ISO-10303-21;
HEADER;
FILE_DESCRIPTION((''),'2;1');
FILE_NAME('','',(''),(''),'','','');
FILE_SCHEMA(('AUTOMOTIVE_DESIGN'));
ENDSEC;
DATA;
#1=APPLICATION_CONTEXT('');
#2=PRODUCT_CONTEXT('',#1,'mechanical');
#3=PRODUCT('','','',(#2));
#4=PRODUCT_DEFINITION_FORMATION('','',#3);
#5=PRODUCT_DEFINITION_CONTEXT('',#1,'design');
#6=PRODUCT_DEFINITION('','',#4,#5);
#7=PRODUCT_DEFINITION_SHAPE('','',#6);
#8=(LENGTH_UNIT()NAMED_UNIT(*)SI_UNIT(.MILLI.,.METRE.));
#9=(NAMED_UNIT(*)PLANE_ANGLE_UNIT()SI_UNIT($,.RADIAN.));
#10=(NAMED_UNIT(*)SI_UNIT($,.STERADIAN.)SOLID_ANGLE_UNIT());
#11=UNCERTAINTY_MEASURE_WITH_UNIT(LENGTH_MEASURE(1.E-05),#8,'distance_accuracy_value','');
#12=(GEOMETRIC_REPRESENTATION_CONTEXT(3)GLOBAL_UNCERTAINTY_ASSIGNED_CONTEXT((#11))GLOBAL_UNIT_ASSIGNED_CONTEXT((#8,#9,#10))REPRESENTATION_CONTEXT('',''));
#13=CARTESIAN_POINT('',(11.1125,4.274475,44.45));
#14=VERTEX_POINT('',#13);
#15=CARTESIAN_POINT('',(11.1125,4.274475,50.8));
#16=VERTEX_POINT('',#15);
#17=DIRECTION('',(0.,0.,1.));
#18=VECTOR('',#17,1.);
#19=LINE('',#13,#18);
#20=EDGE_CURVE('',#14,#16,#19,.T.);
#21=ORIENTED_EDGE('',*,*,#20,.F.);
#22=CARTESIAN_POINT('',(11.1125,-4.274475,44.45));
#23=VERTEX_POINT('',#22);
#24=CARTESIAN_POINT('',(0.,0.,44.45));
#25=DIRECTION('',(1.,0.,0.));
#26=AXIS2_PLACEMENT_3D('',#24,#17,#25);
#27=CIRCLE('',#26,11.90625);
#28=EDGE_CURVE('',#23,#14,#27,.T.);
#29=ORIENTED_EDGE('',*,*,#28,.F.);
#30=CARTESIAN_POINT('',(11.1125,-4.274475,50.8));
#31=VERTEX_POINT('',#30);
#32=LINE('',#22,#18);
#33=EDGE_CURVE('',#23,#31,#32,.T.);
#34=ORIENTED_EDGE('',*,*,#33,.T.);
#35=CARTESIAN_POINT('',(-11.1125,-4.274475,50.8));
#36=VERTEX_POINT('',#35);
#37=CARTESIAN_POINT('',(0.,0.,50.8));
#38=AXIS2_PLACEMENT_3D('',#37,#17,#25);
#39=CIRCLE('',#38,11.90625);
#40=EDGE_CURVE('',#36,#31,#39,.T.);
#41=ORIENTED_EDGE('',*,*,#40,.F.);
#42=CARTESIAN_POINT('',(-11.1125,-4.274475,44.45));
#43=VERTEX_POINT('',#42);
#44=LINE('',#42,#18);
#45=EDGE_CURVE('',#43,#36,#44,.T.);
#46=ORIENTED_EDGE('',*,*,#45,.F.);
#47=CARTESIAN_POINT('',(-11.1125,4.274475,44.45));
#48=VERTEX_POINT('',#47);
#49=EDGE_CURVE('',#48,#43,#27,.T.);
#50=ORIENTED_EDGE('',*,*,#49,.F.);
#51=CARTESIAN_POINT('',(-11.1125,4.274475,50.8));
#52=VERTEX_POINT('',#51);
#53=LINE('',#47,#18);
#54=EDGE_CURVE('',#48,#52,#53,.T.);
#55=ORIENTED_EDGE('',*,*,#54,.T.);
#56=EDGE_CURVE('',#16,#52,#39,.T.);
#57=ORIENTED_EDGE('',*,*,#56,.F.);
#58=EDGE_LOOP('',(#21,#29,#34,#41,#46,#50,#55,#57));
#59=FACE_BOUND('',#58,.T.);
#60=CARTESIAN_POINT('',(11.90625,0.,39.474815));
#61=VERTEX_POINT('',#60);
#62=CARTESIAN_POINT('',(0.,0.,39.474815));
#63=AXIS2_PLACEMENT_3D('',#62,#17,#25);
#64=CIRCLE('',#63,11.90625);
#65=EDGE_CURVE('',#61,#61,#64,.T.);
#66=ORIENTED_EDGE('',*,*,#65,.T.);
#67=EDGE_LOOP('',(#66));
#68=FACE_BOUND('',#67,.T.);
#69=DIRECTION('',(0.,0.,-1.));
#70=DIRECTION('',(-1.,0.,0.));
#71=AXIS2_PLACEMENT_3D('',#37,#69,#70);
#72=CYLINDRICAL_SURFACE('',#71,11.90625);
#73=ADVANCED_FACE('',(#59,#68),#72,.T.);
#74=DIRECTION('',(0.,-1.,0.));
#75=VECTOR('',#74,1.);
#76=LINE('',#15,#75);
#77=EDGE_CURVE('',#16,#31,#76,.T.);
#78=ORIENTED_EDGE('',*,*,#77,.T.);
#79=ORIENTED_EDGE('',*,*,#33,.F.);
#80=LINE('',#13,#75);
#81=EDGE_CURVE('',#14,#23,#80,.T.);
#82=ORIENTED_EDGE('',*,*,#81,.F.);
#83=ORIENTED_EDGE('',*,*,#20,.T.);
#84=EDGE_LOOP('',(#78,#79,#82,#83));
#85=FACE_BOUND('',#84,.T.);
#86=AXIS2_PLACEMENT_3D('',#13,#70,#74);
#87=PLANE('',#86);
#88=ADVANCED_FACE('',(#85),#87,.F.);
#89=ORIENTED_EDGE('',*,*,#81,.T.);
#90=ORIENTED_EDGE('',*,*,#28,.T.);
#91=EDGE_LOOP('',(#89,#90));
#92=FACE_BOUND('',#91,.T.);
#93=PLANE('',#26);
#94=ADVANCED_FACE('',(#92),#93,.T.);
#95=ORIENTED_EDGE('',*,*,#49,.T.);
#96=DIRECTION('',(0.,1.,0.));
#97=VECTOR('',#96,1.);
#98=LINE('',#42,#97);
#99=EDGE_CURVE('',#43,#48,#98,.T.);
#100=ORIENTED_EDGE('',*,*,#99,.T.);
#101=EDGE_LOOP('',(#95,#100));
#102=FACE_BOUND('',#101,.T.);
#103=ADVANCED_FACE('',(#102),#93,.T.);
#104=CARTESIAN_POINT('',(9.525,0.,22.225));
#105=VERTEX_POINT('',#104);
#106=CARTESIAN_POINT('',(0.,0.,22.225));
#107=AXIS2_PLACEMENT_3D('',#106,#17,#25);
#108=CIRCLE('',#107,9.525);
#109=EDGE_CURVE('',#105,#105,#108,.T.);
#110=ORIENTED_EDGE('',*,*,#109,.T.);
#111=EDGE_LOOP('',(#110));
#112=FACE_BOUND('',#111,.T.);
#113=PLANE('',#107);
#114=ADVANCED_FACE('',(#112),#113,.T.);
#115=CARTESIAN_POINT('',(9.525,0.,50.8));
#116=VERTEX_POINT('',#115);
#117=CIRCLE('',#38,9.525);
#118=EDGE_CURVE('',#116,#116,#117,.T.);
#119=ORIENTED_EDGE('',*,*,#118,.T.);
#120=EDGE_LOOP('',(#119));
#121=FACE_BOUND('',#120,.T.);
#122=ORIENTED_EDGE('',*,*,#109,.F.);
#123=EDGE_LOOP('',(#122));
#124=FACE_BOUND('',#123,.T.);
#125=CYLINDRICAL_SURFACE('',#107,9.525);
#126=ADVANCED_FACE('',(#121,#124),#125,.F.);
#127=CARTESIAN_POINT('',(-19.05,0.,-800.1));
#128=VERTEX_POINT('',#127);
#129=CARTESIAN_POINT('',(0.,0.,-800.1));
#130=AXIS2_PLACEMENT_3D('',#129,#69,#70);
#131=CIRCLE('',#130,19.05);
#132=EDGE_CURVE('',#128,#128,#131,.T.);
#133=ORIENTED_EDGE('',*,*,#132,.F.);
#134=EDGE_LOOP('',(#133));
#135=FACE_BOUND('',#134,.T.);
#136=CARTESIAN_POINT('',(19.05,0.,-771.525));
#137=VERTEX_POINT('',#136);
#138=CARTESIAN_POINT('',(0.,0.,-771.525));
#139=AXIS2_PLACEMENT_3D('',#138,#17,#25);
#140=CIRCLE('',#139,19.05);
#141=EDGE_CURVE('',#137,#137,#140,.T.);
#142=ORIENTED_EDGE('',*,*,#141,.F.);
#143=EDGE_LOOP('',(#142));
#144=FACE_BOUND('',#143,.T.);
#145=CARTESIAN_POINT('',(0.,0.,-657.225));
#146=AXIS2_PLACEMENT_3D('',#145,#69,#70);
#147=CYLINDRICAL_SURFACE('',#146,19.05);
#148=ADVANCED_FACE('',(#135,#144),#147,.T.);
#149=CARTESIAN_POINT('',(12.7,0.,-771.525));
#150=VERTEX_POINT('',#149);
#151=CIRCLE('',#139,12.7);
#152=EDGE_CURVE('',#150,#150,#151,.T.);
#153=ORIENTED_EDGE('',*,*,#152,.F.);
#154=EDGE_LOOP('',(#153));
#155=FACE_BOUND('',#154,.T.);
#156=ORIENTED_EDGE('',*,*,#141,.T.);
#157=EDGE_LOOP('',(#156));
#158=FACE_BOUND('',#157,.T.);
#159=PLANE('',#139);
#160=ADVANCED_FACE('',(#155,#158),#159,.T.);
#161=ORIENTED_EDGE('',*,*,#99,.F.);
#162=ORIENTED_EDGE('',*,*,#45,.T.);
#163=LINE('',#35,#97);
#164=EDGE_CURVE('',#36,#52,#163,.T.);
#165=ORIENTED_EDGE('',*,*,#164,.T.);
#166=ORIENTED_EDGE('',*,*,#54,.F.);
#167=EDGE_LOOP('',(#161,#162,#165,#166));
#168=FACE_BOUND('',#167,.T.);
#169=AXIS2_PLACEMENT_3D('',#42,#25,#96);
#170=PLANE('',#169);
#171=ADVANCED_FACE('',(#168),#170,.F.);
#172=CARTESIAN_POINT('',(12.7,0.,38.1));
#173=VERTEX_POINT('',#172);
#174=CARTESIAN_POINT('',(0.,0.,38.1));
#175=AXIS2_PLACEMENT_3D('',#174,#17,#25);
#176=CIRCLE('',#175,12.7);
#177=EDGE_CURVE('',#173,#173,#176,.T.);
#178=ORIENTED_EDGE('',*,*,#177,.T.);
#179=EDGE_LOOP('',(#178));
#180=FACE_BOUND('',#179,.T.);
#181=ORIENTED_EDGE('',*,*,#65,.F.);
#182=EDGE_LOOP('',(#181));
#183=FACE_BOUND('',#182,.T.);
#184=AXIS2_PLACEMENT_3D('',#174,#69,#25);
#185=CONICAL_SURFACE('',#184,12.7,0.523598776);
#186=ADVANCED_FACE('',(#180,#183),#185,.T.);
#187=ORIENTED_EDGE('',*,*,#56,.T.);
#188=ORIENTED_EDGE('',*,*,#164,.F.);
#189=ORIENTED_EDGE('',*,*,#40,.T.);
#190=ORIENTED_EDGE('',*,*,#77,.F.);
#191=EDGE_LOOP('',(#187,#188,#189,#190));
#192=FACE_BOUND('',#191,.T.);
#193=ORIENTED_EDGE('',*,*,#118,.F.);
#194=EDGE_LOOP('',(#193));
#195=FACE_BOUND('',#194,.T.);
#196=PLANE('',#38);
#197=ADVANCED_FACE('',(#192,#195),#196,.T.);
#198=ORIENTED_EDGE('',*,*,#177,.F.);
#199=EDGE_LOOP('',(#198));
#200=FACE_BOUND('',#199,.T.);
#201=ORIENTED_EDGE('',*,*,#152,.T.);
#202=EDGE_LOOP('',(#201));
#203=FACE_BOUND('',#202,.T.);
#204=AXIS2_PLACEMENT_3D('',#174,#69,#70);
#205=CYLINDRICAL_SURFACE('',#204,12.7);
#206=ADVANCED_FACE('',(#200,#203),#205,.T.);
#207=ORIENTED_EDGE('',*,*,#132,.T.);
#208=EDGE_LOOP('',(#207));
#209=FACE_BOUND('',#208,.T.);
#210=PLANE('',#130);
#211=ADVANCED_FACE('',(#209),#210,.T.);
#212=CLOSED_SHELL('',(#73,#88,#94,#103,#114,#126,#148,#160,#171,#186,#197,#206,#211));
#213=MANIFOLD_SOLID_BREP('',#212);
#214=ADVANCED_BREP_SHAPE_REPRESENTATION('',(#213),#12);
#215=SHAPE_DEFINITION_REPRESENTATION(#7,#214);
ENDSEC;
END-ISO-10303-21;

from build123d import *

# Parameters (mm, degrees)
SKETCH1_W           = 19.05
SKETCH1_H           = 28.575
SKETCH2_R           = 12.7
BOSS_EXTRUDE1_DEPTH = 695.325
SKETCH3_R           = 12.7
BOSS_EXTRUDE2_DEPTH = 1.374815329
BOSS_EXTRUDE2_TAPER = 30
SKETCH4_R           = 11.90625
BOSS_EXTRUDE3_DEPTH = 11.325184671
CUT_EXTRUDE1_START  = -6.35
CUT_EXTRUDE1_DEPTH  = 6.35
CUT_EXTRUDE2_START  = -6.35
CUT_EXTRUDE2_DEPTH  = 6.35
SKETCH10_R          = 9.525
CUT_EXTRUDE4_DEPTH  = 28.575
SKETCH8_R           = 19.05
BOSS_EXTRUDE5_DEPTH = 114.3
SKETCH9_R           = 19.05
SKETCH9_R_2         = 12.7
CUT_EXTRUDE3_DEPTH  = 114.3


with BuildPart() as part:
    # Sketch1 → Revolve1 (revolve)
    with BuildSketch(Plane.XZ, mode=Mode.PRIVATE) as revolve1_sk:
        with Locations((9.525, -671.5125)):
            Rectangle(SKETCH1_W, SKETCH1_H)
    revolve(revolve1_sk.sketch.rotate(Axis((0, 0, -657.225), (0, 0, -1)), 180), axis=Axis((0, 0, -657.225), (0, 0, -1)))

    # Sketch2 → Boss-Extrude1 (add)
    with BuildSketch(Plane.XY.offset(-657.225)):
        Circle(SKETCH2_R)
    extrude(amount=BOSS_EXTRUDE1_DEPTH)

    # Sketch3 → Boss-Extrude2 (add)
    with BuildSketch(Plane.XY.offset(38.1)):
        Circle(SKETCH3_R)
    extrude(amount=BOSS_EXTRUDE2_DEPTH, taper=BOSS_EXTRUDE2_TAPER)

    # Sketch4 → Boss-Extrude3 (add)
    with BuildSketch(Plane.XY.offset(39.474815329)):
        Circle(SKETCH4_R)
    extrude(amount=BOSS_EXTRUDE3_DEPTH)

    # Sketch5 → Cut-Extrude1 (cut)
    with BuildSketch(Plane.XY.offset(50.8).offset(CUT_EXTRUDE1_START)):
        with BuildLine():
            Line((11.1125, 4.274474566), (11.1125, -4.274474566))
            ThreePointArc((11.1125, -4.274474566), (11.90625, 0), (11.1125, 4.274474566))
        make_face()
    extrude(amount=CUT_EXTRUDE1_DEPTH, mode=Mode.SUBTRACT)

    # Sketch6 → Cut-Extrude2 (cut)
    with BuildSketch(Plane.XY.offset(50.8).offset(CUT_EXTRUDE2_START)):
        with BuildLine():
            Line((-11.1125, -4.274474566), (-11.1125, 4.274474566))
            ThreePointArc((-11.1125, 4.274474566), (-11.90625, 0), (-11.1125, -4.274474566))
        make_face()
    extrude(amount=CUT_EXTRUDE2_DEPTH, mode=Mode.SUBTRACT)

    # Sketch10 → Cut-Extrude4 (cut)
    with BuildSketch(Plane.XY.offset(50.8)):
        Circle(SKETCH10_R)
    extrude(amount=-CUT_EXTRUDE4_DEPTH, mode=Mode.SUBTRACT)

    # Sketch8 → Boss-Extrude5 (add)
    with BuildSketch(Plane(origin=(0, 0, -685.8), x_dir=(-1, 0, 0), z_dir=(0, 0, -1))):
        Circle(SKETCH8_R)
    extrude(amount=BOSS_EXTRUDE5_DEPTH)

    # Sketch9 → Cut-Extrude3 (cut)
    with BuildSketch(Plane.XY.offset(-657.225)):
        with Locations(Location((0, 0, 0), (0, 0, 180))):
            Circle(SKETCH9_R)
        Circle(SKETCH9_R_2, mode=Mode.SUBTRACT)
    extrude(amount=-CUT_EXTRUDE3_DEPTH, mode=Mode.SUBTRACT)


solid = part.part
